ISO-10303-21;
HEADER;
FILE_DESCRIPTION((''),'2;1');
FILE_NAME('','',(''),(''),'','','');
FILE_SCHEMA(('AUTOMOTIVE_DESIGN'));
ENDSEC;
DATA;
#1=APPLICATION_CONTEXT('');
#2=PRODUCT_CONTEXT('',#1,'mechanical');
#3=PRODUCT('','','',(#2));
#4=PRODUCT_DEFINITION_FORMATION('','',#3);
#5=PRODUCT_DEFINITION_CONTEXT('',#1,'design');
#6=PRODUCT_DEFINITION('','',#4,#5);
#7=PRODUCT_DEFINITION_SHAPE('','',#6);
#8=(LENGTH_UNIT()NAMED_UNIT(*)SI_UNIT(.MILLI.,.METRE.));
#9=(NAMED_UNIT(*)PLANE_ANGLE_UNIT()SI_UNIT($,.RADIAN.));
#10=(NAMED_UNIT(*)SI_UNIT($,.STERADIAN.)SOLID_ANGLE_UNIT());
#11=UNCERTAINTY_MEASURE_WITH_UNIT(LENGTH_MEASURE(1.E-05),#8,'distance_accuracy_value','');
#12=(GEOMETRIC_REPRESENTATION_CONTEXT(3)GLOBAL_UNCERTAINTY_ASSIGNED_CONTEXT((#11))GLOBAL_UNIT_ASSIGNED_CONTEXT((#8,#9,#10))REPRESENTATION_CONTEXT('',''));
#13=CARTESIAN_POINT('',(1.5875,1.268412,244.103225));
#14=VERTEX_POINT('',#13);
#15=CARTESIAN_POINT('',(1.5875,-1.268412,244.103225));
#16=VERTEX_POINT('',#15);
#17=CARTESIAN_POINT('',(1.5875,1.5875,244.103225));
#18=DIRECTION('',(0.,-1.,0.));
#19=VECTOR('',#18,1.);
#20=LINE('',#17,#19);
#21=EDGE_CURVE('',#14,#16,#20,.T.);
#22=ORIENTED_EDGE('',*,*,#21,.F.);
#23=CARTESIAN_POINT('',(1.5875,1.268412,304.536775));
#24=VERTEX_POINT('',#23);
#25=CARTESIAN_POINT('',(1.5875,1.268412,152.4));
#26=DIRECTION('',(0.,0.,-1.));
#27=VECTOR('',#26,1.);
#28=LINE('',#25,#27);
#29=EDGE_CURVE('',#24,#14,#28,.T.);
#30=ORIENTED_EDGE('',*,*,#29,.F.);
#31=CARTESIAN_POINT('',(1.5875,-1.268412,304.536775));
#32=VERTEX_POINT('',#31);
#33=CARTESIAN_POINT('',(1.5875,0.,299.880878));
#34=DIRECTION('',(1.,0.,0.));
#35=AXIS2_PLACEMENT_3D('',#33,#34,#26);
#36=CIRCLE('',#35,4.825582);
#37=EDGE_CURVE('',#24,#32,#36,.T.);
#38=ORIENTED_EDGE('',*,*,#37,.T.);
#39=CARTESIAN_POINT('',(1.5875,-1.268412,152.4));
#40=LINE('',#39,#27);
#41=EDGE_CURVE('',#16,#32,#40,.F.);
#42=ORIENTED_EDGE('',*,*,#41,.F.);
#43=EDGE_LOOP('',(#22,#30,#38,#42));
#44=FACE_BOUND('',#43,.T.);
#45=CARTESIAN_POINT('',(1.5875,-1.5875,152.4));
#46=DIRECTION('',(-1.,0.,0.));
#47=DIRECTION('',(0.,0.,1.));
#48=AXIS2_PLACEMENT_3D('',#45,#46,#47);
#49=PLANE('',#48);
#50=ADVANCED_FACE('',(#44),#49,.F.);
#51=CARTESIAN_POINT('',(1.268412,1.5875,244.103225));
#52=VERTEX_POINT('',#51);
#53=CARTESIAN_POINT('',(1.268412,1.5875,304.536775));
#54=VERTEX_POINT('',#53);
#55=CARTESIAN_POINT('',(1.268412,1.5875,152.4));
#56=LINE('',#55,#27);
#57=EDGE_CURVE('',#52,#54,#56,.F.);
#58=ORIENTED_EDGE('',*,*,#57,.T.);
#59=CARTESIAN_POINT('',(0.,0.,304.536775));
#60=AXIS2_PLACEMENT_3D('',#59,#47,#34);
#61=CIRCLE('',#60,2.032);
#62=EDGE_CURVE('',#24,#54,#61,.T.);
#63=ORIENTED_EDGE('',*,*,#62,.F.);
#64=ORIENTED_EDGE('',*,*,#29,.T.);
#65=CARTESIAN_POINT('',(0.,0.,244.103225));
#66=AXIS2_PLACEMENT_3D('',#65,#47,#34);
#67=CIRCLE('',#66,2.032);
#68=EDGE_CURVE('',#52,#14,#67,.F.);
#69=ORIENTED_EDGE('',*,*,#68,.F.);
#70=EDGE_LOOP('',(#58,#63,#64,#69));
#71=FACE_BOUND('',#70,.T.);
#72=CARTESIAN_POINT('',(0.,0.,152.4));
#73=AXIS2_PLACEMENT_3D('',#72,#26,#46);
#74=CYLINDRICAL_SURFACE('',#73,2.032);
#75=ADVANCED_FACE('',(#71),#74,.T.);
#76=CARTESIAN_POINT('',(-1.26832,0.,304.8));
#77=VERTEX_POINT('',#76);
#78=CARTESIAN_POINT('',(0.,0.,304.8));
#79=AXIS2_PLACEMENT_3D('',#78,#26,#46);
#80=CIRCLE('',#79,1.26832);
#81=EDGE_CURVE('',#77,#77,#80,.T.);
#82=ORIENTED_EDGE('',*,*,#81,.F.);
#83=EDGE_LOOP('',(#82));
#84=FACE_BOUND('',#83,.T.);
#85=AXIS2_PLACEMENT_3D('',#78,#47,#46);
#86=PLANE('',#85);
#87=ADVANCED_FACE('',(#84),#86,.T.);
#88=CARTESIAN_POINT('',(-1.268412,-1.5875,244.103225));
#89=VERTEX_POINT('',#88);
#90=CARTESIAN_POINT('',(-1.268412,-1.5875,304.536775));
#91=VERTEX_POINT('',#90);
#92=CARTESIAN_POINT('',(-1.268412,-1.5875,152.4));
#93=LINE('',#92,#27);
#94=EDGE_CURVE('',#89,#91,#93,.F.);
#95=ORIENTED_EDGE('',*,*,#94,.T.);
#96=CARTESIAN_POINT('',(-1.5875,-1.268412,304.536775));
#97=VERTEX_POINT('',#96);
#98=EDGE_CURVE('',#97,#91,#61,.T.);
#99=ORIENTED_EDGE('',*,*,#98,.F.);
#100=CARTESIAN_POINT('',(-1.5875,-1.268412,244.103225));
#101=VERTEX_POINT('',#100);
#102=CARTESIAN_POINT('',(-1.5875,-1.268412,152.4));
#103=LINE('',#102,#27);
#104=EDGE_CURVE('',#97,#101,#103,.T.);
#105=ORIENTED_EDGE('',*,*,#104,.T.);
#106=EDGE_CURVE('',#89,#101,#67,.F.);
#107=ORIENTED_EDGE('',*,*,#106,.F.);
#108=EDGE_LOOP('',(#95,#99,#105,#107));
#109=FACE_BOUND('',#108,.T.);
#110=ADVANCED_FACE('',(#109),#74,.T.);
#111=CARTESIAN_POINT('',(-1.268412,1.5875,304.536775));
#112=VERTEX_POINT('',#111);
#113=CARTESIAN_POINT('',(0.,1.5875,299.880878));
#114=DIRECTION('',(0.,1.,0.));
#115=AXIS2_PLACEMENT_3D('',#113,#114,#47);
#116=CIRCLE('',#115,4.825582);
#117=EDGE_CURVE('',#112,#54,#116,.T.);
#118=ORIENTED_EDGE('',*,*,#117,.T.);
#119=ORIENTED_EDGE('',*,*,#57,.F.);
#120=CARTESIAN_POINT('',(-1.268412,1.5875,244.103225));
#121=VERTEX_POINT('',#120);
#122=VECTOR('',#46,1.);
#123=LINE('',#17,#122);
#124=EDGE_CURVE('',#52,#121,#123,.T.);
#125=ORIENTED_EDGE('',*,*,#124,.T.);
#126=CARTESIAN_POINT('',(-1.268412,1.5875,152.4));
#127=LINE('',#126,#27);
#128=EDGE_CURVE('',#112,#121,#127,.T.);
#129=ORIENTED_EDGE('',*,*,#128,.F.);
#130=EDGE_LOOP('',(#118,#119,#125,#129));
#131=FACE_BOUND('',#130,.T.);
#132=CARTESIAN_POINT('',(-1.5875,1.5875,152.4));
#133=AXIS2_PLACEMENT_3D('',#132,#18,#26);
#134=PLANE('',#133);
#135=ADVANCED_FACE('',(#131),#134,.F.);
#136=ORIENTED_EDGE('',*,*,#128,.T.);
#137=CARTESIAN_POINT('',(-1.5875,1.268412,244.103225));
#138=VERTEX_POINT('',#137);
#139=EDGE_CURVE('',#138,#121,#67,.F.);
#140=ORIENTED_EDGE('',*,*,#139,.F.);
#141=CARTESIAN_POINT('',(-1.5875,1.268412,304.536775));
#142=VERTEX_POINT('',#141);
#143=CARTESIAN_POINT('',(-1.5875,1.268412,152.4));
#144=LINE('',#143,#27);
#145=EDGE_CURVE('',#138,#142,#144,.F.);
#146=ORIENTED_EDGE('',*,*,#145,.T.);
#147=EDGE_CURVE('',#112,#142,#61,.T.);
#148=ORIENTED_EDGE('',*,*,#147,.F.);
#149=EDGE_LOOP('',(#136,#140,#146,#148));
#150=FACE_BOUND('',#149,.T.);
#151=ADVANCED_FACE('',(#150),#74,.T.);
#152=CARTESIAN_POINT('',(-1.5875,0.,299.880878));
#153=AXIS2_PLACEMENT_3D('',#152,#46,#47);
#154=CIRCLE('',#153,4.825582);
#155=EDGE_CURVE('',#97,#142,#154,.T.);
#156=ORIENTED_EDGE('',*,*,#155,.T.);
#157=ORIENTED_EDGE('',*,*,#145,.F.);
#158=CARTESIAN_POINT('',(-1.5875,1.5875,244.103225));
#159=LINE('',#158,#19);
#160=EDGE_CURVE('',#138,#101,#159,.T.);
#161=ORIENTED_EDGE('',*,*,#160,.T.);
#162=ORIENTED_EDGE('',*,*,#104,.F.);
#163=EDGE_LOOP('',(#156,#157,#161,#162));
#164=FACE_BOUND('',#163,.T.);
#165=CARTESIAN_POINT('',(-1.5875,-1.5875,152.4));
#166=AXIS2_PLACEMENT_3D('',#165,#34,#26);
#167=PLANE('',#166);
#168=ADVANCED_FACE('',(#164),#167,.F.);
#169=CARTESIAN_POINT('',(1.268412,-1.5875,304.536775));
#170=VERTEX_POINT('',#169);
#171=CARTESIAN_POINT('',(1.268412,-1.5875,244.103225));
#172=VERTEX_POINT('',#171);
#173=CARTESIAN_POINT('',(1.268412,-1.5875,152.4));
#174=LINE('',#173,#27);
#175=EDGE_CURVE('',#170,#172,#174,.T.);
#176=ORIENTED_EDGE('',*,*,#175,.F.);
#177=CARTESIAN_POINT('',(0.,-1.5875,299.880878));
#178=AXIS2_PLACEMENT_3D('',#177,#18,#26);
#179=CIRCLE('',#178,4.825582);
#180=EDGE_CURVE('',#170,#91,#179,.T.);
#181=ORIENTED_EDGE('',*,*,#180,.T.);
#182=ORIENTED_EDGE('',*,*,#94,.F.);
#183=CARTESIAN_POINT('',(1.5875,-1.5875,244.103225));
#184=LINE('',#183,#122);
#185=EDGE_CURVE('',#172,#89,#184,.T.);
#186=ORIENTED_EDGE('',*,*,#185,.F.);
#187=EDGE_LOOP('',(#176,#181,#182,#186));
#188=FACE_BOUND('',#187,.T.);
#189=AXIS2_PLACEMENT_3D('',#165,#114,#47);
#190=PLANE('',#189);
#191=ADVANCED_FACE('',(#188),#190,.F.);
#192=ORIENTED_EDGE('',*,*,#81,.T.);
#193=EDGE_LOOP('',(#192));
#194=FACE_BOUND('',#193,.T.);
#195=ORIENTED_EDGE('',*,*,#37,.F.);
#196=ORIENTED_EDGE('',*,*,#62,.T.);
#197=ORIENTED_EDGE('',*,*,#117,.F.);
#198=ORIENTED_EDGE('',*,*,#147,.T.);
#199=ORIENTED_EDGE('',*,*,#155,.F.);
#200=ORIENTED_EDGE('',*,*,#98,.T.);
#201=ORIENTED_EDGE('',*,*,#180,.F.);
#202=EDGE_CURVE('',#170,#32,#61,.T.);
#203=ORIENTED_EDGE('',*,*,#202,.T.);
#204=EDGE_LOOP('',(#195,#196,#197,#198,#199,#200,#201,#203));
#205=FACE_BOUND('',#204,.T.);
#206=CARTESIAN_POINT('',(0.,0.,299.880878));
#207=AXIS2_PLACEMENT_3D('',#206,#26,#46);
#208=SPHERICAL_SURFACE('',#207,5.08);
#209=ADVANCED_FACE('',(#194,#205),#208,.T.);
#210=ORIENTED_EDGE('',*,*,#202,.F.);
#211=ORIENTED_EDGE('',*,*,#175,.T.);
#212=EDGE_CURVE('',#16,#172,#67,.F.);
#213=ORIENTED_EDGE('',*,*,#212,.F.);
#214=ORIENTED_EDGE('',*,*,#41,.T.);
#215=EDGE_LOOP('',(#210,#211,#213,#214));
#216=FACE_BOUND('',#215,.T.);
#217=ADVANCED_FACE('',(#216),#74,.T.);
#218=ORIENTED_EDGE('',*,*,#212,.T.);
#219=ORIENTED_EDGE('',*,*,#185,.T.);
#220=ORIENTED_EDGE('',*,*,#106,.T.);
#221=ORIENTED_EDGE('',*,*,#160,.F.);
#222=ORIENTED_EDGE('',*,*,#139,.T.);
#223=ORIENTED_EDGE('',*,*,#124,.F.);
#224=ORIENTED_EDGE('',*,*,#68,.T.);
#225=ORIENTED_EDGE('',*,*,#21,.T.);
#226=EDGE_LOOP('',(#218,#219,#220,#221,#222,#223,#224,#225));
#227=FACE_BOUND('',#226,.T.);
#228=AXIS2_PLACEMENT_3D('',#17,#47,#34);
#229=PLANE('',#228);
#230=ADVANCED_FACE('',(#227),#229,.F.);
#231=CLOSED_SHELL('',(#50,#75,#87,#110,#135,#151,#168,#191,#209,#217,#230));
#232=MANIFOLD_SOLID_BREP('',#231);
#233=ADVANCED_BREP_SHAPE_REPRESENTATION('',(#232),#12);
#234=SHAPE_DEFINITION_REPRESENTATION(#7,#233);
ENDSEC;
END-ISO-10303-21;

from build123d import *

# Parameters (mm, degrees)
SKETCH1_W           = 3.175
SKETCH1_H           = 3.175
BOSS_EXTRUDE1_DEPTH = 152.4
SKETCH2_OUTSIDE_W   = 35.668
SKETCH2_OUTSIDE_H   = 35.668
SKETCH2_OUTSIDE_R   = 2.032
CUT_EXTRUDE1_DEPTH  = 153.4
CUT_EXTRUDE2_DEPTH  = 4.175
SKETCH6_W           = 3.175
SKETCH6_H           = 12.7
CUT_EXTRUDE3_DEPTH  = 4.175
SKETCH7_W           = 3.175
SKETCH7_H           = 27.94
CUT_EXTRUDE4_DEPTH  = 4.175


with BuildPart() as part:
    # Sketch1 → Boss-Extrude1 (new body)
    with BuildSketch(Plane.XY):
        Rectangle(SKETCH1_W, SKETCH1_H)
    extrude(amount=BOSS_EXTRUDE1_DEPTH)

    # Sketch2 outside → Cut-Extrude1 (cut, through all)
    with BuildSketch(Plane(origin=(0, 0, 0), x_dir=(-1, 0, 0), z_dir=(0, 0, -1))):
        Rectangle(SKETCH2_OUTSIDE_W, SKETCH2_OUTSIDE_H)
        Circle(SKETCH2_OUTSIDE_R, mode=Mode.SUBTRACT)
    extrude(amount=-CUT_EXTRUDE1_DEPTH, mode=Mode.SUBTRACT)

    # Sketch3 → Cut-Revolve1 (revolve, cut)
    with BuildSketch(Plane(origin=(0, 0, 0), x_dir=(1, 0, 0), z_dir=(0, 1, 0))):
        with BuildLine():
            Line((-5.053685963, -4.40273269), (-5.053685963, 5.740530545))
            Line((-5.053685963, 5.740530545), (0, 5.740530545))
            Line((0, 5.740530545), (0, 0.160877736))
            ThreePointArc((0, 0.160877736), (-3.404639553, -1.148866368), (-5.053685963, -4.40273269))
        make_face()
    revolve(axis=Axis((0, 0, 152.4), (0, 0, -1)), mode=Mode.SUBTRACT)

    # Mirror1: part across plane


with BuildPart() as part_1:
    add(part.part)
    add(part.part.mirror(Plane(origin=(0, 0, 152.4), x_dir=(1, 0, 0), z_dir=(0, 0, -1))))

    # Sketch4 → Cut-Extrude2 (cut, through all)
    with BuildSketch(Plane(origin=(1.5875, 0, 0), x_dir=(0, 0, -1), z_dir=(1, 0, 0))):
        Polygon((-0.263225358, -1.5875), (-203.463225358, -1.5875), (-203.463225358, 1.5875), (-0.263225358, 1.5875), (0.835678169, 1.5875), (0.835678169, -1.5875), align=None)
    extrude(amount=-CUT_EXTRUDE2_DEPTH, mode=Mode.SUBTRACT)

    # Sketch6 → Cut-Extrude3 (cut, through all)
    with BuildSketch(Plane.XZ.offset(1.5875)):
        with Locations((0, 209.813225358)):
            Rectangle(SKETCH6_W, SKETCH6_H)
    extrude(amount=-CUT_EXTRUDE3_DEPTH, mode=Mode.SUBTRACT)

    # Sketch7 → Cut-Extrude4 (cut, through all)
    with BuildSketch(Plane.XZ.offset(1.5875)):
        with Locations((0, 230.133225358)):
            Rectangle(SKETCH7_W, SKETCH7_H)
    extrude(amount=-CUT_EXTRUDE4_DEPTH, mode=Mode.SUBTRACT)


solid = part_1.part
